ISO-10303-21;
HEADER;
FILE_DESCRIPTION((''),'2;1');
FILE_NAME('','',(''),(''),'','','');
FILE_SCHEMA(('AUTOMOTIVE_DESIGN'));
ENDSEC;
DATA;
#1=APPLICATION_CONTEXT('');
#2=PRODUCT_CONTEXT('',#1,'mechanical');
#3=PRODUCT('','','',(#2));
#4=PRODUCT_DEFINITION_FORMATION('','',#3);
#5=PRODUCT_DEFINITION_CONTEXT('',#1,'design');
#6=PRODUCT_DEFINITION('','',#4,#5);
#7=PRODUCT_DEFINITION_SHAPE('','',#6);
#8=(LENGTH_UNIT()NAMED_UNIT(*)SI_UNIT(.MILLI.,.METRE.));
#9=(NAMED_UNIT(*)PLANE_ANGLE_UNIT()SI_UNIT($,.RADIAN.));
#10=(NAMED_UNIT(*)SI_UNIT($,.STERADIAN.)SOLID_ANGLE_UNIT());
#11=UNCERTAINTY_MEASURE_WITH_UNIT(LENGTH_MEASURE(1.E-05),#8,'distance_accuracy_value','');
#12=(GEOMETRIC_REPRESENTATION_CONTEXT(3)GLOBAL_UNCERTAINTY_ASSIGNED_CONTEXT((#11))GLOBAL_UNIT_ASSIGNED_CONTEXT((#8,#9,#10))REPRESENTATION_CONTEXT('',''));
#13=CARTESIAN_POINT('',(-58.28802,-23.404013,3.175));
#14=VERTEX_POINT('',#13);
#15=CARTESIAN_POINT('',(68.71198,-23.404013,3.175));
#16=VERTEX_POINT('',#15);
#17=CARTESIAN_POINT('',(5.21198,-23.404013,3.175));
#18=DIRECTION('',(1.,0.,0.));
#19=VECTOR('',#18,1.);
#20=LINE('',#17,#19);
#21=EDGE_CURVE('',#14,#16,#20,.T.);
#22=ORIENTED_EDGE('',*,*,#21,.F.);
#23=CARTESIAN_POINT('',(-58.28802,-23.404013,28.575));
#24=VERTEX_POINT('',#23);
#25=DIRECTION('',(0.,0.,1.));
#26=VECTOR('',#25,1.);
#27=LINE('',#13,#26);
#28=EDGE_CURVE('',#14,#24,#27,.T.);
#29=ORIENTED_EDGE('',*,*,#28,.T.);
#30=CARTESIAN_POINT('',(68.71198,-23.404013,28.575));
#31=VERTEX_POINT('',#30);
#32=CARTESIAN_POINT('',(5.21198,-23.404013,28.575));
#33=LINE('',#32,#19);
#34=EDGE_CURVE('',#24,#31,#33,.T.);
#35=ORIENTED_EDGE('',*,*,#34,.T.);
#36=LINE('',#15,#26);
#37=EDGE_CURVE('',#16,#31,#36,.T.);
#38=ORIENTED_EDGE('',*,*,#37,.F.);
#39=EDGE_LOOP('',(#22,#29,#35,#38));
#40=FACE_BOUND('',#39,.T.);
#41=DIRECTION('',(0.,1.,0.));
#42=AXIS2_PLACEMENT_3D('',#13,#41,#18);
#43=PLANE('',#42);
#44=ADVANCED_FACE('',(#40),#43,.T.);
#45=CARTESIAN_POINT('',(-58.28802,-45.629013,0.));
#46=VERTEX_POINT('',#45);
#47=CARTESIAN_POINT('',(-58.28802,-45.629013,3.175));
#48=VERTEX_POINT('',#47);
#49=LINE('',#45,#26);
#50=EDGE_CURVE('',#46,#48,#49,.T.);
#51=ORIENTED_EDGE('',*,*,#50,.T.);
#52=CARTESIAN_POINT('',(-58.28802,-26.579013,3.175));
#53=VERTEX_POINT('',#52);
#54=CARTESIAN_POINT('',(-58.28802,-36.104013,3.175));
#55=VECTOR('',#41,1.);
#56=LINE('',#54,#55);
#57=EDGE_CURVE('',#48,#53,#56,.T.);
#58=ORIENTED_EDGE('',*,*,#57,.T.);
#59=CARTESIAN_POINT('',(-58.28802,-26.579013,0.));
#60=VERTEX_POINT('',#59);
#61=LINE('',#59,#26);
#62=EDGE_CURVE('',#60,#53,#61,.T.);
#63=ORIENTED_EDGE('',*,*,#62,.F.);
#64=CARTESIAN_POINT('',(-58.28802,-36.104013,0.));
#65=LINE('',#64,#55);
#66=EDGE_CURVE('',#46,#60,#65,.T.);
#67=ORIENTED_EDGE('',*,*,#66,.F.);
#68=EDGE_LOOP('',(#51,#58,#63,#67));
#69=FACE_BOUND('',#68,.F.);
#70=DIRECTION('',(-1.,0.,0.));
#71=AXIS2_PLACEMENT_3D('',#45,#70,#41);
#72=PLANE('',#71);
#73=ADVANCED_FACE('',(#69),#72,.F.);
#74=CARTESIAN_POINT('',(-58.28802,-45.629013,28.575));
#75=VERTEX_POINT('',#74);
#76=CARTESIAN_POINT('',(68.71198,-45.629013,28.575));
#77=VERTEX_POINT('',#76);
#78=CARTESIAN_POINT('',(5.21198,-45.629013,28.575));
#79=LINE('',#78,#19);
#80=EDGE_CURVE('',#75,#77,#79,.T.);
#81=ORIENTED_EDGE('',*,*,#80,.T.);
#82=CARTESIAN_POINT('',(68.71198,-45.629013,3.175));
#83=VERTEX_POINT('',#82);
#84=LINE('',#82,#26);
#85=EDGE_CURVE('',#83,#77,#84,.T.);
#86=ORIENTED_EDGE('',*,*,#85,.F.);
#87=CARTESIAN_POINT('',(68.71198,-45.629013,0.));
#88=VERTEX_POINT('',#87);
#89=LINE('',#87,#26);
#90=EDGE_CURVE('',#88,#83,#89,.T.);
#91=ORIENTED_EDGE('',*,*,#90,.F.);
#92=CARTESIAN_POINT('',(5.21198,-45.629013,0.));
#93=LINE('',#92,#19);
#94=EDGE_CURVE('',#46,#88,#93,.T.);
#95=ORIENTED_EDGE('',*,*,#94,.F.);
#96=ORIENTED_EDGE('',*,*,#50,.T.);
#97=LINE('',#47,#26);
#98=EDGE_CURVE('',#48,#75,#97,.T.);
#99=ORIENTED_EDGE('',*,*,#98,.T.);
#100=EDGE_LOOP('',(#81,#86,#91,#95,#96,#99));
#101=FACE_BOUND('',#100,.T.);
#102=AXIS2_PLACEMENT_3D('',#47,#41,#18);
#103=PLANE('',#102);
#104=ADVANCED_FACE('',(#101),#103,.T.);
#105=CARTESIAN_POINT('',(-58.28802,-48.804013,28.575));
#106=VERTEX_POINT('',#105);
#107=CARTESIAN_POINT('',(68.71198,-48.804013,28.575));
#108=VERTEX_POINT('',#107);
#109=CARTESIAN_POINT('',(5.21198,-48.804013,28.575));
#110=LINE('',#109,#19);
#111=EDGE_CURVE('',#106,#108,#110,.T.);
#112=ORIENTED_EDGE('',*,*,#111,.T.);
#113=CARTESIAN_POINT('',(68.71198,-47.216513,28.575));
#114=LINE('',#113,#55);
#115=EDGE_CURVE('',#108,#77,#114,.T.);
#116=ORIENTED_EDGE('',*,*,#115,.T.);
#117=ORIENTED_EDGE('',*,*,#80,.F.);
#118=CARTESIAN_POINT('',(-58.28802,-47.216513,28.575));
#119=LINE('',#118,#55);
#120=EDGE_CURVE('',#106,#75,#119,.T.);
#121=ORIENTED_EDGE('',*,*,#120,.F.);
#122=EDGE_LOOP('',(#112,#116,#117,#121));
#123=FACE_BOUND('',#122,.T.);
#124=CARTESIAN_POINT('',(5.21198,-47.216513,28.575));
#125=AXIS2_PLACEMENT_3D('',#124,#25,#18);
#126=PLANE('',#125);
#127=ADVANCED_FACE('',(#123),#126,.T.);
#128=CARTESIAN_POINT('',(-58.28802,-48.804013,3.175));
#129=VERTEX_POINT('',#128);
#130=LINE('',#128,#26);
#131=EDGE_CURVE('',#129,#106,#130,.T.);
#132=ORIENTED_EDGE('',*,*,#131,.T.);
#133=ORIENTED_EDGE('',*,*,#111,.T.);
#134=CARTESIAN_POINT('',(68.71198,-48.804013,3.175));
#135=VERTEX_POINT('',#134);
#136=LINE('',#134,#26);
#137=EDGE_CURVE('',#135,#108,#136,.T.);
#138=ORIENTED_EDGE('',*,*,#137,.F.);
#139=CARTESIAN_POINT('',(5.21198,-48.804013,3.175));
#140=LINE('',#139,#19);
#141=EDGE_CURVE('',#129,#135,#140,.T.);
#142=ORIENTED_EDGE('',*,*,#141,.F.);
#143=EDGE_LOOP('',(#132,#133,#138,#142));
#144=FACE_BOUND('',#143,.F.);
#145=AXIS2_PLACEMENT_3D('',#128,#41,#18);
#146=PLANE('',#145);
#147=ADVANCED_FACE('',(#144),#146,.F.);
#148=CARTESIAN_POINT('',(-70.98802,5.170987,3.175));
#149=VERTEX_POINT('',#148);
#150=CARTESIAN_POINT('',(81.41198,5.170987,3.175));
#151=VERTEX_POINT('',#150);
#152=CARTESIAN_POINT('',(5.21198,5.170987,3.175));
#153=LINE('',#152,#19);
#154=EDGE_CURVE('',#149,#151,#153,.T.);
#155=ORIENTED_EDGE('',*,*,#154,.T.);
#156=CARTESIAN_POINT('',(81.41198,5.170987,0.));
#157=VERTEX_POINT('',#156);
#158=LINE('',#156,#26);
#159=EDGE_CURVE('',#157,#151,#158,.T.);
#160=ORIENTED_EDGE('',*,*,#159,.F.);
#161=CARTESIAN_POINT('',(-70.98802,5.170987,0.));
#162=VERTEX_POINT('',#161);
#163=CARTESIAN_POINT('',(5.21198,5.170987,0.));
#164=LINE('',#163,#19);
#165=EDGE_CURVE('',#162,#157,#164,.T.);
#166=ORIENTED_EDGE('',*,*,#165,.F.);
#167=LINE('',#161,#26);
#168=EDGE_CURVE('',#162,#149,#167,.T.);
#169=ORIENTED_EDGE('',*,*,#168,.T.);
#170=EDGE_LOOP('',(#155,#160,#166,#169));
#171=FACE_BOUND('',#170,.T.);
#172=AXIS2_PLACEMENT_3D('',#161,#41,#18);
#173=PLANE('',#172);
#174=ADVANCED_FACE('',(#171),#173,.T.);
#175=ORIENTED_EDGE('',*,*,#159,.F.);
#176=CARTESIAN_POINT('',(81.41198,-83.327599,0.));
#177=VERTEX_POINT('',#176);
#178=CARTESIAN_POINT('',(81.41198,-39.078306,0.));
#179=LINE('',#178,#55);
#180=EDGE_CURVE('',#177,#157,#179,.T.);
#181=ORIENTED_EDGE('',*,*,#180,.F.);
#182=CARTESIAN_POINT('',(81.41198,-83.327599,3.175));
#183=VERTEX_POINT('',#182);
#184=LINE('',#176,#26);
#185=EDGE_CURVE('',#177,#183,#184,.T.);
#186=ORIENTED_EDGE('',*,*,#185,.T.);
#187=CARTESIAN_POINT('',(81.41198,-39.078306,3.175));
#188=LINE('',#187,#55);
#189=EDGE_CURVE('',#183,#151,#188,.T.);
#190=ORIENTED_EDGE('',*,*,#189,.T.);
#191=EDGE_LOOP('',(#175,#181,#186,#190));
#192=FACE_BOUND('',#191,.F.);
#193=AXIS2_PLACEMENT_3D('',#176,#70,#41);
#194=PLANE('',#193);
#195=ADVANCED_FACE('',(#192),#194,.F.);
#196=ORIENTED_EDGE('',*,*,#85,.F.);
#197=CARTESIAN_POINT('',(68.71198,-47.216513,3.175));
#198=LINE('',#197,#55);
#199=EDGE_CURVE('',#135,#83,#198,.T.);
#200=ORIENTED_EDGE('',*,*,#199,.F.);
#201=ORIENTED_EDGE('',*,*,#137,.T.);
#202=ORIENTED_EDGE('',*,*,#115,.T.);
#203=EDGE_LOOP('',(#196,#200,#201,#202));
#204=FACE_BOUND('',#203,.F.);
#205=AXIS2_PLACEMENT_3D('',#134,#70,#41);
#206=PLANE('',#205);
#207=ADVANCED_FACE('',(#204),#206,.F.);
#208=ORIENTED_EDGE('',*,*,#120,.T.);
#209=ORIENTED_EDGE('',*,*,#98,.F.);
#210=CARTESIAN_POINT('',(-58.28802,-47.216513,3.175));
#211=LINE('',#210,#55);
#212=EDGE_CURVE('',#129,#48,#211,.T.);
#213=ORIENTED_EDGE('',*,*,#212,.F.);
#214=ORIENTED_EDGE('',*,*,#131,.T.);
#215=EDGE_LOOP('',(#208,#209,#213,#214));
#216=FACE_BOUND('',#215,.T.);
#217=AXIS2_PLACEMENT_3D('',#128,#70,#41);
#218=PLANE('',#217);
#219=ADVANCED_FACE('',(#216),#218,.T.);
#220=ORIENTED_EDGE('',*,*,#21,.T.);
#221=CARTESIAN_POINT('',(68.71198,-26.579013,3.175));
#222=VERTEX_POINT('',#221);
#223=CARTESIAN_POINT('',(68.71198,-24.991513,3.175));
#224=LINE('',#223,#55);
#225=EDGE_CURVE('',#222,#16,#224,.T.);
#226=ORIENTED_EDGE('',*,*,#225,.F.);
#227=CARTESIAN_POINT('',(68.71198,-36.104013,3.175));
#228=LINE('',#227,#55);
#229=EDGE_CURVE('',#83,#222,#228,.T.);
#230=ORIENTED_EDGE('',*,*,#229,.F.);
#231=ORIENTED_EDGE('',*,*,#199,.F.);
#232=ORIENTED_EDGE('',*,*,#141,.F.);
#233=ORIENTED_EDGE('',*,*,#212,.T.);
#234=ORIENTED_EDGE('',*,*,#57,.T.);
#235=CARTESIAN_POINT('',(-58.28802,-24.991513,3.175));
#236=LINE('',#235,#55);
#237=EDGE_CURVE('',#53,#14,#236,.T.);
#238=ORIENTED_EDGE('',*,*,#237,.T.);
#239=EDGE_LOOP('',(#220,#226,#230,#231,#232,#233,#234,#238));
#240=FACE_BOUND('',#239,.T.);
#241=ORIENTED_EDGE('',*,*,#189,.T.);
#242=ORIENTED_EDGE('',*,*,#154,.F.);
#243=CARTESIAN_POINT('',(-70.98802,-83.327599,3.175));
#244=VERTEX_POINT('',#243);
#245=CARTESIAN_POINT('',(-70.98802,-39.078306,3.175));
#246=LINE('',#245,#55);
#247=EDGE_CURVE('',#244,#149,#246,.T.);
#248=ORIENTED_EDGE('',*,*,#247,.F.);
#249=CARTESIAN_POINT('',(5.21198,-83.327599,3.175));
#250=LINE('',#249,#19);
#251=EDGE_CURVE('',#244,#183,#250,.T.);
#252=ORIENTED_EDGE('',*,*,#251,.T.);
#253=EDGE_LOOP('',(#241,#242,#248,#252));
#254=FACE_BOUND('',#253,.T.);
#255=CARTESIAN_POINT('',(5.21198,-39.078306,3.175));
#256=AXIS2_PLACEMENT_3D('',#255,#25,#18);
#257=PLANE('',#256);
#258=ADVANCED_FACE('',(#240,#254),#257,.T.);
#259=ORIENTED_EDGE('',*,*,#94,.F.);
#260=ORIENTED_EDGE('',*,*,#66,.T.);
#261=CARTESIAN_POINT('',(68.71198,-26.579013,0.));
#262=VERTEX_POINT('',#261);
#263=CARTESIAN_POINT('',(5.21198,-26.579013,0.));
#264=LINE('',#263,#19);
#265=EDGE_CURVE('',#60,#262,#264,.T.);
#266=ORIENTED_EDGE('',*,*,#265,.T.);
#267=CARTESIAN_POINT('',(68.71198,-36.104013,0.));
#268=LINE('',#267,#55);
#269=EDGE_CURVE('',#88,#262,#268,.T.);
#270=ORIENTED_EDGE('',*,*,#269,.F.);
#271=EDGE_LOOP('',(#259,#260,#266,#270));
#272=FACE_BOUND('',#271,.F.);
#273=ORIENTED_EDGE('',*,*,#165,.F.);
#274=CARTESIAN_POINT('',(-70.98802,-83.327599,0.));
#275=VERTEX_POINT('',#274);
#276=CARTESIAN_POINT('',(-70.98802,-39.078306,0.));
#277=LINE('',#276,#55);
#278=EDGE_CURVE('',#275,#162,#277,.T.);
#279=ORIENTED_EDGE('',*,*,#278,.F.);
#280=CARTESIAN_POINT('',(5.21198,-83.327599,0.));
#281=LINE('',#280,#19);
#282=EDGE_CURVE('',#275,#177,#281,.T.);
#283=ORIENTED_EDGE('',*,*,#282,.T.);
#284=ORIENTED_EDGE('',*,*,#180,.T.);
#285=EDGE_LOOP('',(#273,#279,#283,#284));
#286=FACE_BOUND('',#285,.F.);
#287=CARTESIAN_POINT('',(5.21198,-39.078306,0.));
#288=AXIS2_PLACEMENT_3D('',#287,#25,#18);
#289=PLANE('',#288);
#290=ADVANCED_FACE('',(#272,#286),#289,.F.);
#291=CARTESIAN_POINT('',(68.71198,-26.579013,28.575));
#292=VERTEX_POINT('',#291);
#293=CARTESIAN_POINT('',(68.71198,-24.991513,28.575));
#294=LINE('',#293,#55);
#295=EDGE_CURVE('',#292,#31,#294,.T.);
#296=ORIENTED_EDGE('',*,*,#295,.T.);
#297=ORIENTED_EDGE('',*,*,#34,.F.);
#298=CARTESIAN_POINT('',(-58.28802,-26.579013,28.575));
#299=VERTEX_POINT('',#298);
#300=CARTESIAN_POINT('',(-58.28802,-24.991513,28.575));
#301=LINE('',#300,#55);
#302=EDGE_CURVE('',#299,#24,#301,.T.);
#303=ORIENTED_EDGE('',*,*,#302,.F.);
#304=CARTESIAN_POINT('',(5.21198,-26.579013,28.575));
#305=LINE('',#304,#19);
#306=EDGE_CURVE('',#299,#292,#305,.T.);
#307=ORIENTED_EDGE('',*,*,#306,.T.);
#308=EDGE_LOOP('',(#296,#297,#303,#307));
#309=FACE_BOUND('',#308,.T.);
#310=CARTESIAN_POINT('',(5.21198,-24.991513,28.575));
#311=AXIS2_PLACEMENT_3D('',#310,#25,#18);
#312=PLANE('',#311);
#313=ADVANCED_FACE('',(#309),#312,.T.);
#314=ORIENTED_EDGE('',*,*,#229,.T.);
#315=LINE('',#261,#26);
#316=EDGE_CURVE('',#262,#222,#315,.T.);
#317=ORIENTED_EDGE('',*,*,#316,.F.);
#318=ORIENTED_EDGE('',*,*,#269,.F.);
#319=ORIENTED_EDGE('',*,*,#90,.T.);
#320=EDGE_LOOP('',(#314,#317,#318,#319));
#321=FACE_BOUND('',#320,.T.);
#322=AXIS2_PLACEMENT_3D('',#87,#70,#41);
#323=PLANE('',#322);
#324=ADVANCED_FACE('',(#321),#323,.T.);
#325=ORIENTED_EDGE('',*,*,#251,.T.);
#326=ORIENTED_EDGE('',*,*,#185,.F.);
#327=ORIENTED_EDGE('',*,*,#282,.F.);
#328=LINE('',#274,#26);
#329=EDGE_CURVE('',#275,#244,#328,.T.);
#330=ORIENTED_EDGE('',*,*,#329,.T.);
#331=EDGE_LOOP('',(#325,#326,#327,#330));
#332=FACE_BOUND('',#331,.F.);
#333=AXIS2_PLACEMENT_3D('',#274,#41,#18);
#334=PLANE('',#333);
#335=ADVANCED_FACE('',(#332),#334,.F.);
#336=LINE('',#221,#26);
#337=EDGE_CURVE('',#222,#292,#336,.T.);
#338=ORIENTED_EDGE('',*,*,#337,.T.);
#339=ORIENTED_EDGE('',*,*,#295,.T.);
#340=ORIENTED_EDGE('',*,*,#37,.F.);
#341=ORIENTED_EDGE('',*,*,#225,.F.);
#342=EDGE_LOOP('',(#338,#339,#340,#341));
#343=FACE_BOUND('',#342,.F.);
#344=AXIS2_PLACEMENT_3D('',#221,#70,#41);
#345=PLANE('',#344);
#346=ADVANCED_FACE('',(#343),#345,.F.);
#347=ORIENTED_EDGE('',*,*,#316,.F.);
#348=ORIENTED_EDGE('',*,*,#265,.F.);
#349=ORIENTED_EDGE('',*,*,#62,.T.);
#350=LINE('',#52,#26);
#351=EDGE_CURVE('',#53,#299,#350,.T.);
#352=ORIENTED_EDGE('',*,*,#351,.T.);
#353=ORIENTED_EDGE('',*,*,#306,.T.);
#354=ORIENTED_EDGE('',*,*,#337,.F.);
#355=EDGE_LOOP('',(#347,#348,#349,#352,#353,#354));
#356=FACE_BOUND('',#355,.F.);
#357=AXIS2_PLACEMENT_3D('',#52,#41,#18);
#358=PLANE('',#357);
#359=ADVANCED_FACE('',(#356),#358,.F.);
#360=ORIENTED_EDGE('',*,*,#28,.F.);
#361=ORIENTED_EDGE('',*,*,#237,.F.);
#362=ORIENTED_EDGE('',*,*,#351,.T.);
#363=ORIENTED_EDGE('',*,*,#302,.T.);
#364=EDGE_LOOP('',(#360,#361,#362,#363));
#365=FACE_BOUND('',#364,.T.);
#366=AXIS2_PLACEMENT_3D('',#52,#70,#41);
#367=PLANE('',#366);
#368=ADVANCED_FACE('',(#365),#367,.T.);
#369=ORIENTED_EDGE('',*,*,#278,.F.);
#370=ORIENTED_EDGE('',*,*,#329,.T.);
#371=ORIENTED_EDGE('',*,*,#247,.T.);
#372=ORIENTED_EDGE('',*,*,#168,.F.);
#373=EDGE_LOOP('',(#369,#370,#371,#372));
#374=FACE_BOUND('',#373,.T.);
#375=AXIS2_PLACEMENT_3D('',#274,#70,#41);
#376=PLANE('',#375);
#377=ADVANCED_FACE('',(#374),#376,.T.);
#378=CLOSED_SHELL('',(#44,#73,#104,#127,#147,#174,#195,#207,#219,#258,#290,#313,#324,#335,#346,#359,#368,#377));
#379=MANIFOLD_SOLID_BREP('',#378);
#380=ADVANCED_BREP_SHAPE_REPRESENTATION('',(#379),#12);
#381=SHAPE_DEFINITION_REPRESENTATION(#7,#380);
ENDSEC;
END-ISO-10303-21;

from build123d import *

# Parameters (mm, degrees)
F1_W     = 152.4
F1_H     = 88.498586
F1_W_2   = 127
F1_H_2   = 19.05
F2_DEPTH = 3.175
F3_W     = 127
F3_H     = 3.175
F4_DEPTH = 25.4


with BuildPart() as f2:
    # F1 (on face) → F2 (new body)
    with BuildSketch(Plane.XY):
        with Locations((5.21198, -39.078306)):
            Rectangle(F1_W, F1_H)
        with Locations((5.21198, -36.104013)):
            Rectangle(F1_W_2, F1_H_2, mode=Mode.SUBTRACT)
    extrude(amount=F2_DEPTH)

    # F3 (on face) → F4 (join)
    with BuildSketch(Plane.XY.offset(3.175)):
        with Locations((5.21198, -24.991513)):
            Rectangle(F3_W, F3_H)
        with Locations((5.21198, -47.216513)):
            Rectangle(F3_W, F3_H)
    extrude(amount=F4_DEPTH)


solid = f2.part
